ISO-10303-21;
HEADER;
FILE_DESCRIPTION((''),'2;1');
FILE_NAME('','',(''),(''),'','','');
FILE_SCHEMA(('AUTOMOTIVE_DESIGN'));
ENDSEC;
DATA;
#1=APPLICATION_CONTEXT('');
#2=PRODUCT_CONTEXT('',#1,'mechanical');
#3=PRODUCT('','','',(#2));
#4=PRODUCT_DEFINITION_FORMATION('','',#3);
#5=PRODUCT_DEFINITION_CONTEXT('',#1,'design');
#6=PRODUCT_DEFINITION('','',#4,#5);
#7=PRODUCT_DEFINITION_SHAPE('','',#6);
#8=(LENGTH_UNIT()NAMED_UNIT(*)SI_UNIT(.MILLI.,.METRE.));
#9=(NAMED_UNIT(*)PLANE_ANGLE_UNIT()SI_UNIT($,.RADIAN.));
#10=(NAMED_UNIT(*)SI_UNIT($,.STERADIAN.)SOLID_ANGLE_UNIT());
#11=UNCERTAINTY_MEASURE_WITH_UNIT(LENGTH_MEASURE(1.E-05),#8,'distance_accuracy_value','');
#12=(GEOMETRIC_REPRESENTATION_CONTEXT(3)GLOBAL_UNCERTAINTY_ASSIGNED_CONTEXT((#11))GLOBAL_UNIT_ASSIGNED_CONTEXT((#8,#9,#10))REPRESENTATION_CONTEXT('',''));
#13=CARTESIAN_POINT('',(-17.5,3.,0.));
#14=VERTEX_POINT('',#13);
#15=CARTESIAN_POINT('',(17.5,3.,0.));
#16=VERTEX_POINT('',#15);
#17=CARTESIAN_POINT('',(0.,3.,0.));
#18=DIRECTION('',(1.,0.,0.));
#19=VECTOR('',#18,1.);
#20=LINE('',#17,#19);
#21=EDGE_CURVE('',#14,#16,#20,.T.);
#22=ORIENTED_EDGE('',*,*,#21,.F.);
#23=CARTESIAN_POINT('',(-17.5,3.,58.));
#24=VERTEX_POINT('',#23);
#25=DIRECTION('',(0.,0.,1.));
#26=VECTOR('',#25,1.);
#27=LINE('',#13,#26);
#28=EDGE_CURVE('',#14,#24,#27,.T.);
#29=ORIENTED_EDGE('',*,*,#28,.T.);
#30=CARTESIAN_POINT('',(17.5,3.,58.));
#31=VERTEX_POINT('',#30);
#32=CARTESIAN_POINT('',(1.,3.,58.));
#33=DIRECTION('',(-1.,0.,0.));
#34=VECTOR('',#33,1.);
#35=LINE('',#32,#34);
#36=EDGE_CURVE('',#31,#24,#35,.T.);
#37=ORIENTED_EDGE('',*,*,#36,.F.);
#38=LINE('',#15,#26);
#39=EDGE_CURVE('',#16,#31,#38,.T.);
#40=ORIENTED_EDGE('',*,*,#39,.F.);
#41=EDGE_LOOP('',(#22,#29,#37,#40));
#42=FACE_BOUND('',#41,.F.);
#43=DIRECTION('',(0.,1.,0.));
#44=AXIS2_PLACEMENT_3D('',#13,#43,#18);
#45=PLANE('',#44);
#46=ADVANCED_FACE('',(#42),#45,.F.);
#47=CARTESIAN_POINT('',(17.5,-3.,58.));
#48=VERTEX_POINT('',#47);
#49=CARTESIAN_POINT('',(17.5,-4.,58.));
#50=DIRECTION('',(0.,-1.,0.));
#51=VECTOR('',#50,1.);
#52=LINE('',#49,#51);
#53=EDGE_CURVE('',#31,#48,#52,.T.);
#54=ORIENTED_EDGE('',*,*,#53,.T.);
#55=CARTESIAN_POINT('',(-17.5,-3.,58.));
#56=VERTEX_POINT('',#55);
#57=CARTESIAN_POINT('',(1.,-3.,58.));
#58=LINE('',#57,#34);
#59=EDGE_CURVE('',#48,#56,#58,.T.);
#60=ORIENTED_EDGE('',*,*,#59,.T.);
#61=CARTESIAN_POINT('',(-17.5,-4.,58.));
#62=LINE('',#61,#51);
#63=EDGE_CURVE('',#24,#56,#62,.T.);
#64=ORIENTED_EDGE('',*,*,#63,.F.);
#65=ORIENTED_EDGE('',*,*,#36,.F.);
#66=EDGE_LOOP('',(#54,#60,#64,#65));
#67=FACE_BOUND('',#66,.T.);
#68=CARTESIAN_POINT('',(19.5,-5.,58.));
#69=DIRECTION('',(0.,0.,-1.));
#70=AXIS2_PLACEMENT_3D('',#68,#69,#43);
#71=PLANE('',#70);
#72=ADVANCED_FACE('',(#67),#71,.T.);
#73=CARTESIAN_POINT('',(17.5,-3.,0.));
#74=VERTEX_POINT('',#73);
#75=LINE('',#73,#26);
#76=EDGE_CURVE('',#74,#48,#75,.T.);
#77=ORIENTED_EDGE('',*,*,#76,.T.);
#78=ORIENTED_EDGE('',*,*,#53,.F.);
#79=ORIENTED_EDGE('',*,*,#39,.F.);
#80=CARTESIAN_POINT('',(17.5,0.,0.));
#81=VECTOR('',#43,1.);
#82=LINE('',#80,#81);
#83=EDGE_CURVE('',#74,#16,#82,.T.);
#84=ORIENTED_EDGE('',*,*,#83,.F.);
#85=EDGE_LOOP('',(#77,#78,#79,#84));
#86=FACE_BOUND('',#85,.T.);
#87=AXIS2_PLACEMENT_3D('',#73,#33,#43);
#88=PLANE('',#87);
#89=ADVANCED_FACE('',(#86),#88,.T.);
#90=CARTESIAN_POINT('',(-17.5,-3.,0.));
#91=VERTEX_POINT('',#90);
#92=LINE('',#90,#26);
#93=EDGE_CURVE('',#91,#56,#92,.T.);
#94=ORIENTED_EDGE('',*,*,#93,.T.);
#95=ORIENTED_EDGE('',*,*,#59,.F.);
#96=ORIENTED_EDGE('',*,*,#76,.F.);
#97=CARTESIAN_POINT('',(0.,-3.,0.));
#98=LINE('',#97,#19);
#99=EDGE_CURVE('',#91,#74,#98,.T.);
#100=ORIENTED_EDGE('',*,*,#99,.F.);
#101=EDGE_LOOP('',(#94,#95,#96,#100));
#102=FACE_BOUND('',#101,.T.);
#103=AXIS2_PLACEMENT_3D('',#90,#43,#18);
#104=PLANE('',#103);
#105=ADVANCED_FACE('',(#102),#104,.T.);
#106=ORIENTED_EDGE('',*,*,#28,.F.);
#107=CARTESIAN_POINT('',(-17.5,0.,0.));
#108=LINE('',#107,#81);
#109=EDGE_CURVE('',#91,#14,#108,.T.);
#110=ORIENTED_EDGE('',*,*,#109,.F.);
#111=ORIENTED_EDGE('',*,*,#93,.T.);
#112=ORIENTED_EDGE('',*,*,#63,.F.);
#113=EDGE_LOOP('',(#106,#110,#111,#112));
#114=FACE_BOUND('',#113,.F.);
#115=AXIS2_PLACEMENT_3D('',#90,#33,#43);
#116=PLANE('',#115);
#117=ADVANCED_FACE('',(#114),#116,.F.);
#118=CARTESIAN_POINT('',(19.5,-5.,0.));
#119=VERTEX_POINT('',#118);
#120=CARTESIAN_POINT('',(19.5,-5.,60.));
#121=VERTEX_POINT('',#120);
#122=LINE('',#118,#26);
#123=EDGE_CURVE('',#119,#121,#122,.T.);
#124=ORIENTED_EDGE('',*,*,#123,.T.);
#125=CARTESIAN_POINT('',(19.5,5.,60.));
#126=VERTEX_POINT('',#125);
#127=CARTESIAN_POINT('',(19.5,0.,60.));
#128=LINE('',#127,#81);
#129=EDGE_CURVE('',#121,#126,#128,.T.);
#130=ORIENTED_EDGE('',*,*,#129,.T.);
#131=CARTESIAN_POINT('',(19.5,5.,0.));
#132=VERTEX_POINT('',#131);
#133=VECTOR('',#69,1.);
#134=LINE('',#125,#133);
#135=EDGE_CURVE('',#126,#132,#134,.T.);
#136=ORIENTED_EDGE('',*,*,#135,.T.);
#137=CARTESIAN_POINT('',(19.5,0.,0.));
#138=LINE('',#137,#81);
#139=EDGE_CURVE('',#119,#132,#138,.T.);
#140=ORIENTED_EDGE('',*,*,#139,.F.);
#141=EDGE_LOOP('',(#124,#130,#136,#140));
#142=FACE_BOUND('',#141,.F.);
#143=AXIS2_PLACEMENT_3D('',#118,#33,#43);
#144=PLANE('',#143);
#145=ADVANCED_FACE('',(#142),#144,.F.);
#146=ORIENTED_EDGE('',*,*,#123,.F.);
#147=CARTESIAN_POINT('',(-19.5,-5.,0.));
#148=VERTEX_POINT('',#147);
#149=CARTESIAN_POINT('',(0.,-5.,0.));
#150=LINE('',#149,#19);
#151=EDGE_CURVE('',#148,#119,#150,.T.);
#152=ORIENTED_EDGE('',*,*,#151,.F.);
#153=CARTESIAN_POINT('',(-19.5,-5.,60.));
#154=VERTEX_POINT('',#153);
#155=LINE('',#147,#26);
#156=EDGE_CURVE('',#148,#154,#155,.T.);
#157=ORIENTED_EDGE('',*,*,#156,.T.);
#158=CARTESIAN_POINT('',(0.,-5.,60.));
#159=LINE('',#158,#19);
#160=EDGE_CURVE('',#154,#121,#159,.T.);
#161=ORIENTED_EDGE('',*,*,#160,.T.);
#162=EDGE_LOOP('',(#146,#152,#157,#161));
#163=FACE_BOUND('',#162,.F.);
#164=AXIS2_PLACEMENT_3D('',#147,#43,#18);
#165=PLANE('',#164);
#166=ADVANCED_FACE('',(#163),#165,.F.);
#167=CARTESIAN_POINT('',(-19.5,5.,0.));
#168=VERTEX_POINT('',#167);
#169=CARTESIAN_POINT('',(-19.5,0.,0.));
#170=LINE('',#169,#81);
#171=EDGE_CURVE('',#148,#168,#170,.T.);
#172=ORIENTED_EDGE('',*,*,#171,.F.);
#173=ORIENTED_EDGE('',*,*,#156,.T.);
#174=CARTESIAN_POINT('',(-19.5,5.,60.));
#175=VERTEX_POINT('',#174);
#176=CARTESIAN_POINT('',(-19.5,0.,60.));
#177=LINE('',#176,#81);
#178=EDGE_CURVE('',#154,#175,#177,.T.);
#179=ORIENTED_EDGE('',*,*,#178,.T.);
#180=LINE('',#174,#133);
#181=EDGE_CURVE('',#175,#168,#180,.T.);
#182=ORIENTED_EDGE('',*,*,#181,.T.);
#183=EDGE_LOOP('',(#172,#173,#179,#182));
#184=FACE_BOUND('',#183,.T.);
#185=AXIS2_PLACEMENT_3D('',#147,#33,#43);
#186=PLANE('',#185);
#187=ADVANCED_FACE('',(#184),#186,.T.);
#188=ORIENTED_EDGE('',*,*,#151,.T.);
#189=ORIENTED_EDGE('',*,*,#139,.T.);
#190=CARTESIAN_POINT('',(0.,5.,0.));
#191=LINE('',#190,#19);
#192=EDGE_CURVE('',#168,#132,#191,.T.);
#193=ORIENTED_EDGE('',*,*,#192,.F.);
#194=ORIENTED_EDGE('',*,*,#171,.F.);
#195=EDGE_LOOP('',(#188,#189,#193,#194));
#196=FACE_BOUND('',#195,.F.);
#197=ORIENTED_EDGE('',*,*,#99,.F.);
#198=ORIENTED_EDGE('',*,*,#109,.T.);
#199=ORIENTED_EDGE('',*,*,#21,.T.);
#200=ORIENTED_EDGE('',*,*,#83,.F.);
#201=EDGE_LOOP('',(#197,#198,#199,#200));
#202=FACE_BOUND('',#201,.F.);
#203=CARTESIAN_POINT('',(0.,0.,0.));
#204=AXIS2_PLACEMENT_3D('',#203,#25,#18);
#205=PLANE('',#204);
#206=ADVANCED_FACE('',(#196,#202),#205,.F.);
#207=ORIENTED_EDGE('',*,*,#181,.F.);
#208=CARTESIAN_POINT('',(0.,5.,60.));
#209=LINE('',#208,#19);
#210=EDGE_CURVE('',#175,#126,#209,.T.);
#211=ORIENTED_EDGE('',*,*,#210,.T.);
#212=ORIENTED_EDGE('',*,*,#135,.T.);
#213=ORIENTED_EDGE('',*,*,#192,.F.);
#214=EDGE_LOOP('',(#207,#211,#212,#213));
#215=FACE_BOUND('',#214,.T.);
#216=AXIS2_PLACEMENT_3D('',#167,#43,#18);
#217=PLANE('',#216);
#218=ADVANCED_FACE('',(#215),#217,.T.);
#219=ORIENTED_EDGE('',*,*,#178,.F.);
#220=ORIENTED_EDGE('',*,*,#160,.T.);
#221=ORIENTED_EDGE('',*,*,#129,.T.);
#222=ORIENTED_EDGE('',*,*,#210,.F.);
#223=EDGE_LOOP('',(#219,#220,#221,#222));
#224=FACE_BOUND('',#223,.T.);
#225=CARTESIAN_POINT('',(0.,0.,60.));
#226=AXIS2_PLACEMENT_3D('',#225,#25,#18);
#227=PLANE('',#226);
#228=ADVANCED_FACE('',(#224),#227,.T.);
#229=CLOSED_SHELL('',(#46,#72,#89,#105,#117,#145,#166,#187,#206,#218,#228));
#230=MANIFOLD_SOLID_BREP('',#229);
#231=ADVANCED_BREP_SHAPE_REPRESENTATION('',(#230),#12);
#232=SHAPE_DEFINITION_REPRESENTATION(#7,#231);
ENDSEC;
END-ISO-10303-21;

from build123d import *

# Parameters (mm, degrees)
F0_W     = 39
F0_H     = 10
F0_W_2   = 35
F0_H_2   = 6
F1_DEPTH = 60
F2_W     = 10
F2_H     = 2
F3_DEPTH = 39


with BuildPart() as f1:
    # F0 (on Top) → F1 (new body)
    with BuildSketch(Plane.XY):
        Rectangle(F0_W, F0_H)
        Rectangle(F0_W_2, F0_H_2, mode=Mode.SUBTRACT)
    extrude(amount=F1_DEPTH)

    # F2 (on face) → F3 (join, through all)
    with BuildSketch(Plane.YZ.offset(19.5)):
        with Locations((0, 59)):
            Rectangle(F2_W, F2_H)
    extrude(amount=-F3_DEPTH)


solid = f1.part
